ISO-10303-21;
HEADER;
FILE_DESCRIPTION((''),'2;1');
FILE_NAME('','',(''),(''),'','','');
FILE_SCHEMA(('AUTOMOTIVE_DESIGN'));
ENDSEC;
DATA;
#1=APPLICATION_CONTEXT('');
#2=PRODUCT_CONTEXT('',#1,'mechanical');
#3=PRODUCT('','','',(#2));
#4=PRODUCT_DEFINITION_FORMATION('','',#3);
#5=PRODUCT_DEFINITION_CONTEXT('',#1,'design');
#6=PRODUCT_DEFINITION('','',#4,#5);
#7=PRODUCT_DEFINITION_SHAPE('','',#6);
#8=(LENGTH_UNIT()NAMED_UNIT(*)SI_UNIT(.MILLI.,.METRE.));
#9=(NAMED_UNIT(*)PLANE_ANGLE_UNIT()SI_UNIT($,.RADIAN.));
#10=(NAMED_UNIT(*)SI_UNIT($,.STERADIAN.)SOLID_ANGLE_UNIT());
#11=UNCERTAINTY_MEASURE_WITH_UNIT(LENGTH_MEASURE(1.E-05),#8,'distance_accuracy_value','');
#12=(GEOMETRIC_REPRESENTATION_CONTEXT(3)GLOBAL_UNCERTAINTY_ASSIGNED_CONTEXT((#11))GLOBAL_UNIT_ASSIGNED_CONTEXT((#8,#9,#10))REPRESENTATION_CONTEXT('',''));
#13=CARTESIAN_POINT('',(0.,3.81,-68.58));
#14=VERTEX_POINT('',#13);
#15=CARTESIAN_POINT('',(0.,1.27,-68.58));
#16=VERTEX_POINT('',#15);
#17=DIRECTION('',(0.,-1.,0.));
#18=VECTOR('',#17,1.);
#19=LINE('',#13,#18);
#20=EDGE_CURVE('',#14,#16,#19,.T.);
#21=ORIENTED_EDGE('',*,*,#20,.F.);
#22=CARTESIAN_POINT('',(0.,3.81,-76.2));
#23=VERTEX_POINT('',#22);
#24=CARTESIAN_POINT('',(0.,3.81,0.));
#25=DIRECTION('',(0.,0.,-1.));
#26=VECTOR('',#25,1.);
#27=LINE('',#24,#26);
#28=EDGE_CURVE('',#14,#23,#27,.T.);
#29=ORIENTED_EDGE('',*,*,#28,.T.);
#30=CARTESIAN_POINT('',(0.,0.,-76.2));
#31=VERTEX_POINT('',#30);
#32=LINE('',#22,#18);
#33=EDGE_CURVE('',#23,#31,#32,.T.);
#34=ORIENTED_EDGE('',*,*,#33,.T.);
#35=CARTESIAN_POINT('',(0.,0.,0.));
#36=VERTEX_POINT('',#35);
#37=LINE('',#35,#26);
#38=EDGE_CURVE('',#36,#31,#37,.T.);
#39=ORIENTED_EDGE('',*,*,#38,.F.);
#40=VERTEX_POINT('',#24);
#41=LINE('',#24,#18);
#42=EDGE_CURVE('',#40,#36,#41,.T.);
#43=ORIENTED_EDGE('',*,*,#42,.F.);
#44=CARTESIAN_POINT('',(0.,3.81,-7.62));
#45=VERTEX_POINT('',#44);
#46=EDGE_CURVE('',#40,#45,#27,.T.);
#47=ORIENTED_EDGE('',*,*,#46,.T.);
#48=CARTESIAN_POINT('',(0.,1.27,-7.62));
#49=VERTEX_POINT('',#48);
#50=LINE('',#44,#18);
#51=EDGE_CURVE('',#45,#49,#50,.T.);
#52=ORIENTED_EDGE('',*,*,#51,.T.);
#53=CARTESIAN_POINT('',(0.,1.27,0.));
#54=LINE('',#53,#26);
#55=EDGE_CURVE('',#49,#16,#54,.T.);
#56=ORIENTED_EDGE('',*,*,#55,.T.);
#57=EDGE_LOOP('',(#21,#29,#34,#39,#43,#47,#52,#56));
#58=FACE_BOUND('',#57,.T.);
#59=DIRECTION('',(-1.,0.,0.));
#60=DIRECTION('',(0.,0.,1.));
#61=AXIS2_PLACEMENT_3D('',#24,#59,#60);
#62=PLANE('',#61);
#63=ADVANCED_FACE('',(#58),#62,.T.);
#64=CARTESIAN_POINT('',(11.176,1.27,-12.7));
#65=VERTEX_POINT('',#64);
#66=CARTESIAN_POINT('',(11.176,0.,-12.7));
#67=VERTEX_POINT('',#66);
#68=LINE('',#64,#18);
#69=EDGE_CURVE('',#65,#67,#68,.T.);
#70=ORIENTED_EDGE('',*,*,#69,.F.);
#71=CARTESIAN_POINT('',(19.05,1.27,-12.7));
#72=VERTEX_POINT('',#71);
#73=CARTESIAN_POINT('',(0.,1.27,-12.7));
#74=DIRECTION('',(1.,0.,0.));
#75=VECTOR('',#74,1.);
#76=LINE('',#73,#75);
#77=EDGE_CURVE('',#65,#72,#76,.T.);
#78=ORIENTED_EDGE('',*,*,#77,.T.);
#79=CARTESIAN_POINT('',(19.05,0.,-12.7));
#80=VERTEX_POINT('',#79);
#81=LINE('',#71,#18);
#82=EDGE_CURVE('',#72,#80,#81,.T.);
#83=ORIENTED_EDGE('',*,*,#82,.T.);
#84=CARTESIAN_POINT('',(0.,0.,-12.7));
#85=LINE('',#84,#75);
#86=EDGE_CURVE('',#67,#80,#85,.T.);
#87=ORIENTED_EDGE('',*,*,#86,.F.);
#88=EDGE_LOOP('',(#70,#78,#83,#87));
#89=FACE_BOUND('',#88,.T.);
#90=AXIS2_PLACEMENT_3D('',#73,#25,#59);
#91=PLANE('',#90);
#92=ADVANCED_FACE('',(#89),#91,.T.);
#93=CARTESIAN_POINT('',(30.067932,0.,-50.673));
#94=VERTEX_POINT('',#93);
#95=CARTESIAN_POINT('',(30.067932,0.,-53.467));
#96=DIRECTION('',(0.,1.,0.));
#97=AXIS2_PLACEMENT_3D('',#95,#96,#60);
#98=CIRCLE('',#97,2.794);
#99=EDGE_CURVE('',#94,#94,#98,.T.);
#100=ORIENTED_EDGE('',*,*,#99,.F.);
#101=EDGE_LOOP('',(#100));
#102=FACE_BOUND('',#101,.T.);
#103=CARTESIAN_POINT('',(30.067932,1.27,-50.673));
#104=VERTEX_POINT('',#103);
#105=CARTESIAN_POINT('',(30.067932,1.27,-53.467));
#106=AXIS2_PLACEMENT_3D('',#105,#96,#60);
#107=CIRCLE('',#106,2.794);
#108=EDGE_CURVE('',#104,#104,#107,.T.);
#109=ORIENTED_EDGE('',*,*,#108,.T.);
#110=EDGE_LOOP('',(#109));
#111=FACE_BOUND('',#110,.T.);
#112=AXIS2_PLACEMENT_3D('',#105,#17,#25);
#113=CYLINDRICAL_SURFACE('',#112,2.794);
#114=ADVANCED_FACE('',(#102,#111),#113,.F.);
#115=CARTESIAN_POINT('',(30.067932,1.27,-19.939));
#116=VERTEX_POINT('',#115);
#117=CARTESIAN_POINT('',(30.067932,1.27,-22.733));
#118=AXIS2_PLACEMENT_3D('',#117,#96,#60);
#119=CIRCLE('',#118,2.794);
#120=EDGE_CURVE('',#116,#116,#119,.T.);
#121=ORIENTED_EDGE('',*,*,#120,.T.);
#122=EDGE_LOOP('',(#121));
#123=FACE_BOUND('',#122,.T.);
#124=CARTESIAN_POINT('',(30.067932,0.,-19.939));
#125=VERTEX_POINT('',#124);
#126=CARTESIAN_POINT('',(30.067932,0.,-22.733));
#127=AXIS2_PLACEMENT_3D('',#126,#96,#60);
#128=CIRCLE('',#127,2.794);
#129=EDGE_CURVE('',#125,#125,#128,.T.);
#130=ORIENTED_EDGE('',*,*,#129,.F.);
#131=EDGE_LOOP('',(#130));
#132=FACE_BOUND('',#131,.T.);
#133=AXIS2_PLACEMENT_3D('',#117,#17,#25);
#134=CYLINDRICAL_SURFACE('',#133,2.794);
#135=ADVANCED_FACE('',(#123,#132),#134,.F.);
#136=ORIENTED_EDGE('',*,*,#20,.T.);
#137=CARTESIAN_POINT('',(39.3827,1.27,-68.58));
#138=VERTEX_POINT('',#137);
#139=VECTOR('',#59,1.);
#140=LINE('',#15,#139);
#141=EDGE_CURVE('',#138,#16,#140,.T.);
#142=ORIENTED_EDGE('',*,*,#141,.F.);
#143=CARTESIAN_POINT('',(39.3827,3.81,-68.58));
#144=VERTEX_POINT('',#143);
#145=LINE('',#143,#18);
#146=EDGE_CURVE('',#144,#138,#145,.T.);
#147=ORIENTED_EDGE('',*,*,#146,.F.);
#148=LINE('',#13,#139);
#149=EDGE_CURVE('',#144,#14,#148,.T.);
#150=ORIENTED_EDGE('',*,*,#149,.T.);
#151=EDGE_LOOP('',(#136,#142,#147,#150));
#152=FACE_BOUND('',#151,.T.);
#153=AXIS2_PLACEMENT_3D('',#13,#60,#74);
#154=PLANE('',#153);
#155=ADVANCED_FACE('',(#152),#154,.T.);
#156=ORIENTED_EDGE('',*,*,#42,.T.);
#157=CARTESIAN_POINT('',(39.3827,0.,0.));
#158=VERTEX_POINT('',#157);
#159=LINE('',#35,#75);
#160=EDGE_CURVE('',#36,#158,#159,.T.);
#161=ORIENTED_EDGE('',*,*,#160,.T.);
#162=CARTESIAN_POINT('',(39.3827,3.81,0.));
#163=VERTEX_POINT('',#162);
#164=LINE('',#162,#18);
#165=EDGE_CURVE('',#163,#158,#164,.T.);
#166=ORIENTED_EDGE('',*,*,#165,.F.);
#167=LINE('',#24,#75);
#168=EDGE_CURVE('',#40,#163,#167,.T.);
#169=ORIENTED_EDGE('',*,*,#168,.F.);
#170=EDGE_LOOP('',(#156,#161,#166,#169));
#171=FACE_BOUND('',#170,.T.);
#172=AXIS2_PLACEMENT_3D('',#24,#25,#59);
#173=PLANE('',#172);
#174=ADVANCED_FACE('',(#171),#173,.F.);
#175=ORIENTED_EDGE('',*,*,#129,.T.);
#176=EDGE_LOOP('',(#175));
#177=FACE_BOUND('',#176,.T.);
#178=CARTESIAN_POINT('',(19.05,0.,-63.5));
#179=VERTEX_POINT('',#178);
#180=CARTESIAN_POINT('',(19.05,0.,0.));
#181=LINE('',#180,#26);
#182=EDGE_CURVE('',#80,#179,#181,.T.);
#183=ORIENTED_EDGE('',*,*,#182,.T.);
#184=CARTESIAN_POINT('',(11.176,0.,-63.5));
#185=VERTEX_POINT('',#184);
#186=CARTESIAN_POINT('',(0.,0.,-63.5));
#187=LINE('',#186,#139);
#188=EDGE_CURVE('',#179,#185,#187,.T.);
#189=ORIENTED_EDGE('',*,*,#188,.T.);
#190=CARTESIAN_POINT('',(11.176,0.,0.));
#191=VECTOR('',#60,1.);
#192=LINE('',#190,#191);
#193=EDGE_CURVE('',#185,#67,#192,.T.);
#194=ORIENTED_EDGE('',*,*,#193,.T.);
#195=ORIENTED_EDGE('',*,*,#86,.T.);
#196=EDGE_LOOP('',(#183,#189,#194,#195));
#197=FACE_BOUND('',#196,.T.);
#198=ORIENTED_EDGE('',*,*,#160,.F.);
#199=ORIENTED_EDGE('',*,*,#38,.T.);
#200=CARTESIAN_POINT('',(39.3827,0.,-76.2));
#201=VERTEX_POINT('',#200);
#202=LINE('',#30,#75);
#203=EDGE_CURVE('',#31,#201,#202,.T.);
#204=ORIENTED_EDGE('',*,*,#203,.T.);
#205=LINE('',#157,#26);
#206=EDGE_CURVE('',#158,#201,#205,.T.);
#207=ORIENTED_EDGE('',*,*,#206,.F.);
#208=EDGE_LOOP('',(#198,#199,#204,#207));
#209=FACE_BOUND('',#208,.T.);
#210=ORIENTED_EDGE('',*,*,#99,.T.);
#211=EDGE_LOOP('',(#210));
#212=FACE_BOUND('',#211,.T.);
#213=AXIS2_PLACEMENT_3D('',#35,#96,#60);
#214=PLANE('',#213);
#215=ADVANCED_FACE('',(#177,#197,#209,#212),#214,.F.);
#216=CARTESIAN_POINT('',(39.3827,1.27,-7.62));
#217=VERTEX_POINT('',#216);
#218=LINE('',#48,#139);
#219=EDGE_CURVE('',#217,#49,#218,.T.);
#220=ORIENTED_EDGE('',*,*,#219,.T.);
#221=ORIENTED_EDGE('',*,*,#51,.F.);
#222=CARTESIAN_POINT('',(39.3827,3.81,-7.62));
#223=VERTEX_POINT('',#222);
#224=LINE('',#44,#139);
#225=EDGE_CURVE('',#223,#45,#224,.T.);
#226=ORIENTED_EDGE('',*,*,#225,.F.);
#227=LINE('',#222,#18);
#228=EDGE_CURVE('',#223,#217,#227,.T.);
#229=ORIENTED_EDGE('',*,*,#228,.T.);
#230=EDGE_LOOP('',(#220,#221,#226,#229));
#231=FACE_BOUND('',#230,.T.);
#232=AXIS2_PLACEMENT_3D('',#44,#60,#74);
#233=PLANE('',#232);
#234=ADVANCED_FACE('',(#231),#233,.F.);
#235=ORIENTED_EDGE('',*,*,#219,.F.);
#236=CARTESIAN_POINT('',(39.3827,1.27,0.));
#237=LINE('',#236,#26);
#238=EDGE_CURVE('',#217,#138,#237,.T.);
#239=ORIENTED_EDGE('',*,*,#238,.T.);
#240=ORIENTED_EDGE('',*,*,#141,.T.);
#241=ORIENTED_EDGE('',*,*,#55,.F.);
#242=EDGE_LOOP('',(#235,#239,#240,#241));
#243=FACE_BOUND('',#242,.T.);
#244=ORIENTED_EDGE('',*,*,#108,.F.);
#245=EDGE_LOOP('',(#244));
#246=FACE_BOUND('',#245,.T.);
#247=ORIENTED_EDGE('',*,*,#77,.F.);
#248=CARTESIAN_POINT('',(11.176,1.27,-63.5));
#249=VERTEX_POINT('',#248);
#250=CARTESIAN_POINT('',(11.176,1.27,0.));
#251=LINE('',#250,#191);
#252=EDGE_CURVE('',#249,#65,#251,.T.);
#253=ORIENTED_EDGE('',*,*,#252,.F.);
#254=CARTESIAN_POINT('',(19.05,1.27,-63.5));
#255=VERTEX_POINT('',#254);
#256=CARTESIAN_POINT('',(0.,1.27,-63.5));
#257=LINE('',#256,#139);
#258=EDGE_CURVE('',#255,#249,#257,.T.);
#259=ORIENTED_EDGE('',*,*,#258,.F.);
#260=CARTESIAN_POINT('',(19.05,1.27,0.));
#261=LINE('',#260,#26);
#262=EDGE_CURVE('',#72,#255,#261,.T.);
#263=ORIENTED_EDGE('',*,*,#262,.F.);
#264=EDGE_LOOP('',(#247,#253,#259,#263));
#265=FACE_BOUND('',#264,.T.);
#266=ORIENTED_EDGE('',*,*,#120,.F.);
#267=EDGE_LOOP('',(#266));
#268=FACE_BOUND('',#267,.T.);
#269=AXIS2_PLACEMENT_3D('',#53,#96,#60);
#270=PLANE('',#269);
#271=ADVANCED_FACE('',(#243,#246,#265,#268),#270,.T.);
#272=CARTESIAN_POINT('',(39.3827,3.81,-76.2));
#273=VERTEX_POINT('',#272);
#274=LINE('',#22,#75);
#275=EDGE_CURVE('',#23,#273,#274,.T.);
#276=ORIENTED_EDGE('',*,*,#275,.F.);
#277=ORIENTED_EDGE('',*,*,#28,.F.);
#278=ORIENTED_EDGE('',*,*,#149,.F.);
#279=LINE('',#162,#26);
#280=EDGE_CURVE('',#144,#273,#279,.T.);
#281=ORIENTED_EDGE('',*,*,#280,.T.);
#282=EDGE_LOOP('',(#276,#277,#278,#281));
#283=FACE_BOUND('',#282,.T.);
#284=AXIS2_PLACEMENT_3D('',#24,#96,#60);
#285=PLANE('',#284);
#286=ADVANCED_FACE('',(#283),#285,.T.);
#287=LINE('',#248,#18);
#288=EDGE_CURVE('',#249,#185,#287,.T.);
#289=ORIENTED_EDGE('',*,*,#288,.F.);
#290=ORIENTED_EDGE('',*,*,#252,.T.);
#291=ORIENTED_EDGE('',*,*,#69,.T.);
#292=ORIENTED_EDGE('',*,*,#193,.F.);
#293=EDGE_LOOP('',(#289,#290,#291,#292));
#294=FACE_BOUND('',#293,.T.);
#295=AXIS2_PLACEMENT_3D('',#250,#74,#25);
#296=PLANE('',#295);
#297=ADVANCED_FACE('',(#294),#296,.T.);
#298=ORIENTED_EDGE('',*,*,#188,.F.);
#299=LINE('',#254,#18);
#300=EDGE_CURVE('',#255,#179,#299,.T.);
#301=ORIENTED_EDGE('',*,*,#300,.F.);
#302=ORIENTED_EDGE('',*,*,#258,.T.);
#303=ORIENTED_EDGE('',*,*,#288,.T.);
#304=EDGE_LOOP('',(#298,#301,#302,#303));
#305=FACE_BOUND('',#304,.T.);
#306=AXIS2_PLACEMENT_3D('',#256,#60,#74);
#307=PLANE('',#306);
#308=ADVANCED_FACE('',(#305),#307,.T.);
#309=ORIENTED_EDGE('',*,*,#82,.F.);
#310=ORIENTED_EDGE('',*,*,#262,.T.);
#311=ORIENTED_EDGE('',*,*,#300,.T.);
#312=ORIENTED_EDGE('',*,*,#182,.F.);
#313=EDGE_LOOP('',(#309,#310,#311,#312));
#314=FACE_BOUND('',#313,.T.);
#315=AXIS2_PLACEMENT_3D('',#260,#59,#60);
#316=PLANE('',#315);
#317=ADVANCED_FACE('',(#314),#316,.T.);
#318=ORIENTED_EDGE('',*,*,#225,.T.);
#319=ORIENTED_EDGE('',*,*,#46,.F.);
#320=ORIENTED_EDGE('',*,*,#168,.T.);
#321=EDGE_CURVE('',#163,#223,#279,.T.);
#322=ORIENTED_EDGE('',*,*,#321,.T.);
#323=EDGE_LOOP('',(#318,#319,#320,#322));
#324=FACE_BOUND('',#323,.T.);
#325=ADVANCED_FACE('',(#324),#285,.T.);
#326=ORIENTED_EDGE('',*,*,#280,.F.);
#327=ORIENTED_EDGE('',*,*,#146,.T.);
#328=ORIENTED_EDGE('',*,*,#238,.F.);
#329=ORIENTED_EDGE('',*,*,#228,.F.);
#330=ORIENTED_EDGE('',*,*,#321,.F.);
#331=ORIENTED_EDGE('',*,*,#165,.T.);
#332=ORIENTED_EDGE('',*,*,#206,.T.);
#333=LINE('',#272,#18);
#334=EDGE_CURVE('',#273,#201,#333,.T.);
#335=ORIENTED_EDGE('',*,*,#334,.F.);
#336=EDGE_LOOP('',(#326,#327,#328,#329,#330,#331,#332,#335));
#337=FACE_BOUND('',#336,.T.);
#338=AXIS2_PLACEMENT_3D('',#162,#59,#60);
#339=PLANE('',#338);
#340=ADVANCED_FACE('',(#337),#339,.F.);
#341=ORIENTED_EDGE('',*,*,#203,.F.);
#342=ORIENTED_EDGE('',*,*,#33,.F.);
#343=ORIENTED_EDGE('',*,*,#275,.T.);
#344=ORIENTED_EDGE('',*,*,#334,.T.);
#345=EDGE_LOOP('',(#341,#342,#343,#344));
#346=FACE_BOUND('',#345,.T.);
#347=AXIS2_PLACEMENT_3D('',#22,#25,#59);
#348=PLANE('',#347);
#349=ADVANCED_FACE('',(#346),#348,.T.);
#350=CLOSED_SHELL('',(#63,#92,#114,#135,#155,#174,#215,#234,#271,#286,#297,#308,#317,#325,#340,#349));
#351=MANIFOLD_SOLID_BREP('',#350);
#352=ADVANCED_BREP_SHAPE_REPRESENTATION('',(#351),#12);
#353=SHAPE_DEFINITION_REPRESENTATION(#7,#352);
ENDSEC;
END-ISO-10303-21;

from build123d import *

# Parameters (mm, degrees)
SKETCH2_W             = 39.3827
SKETCH2_H             = 7.62
BOSS_EXTRUDE2_DEPTH   = 3.81
BOSS_EXTRUDE2_2_DEPTH = 3.81
SKETCH2_3_W           = 39.3827
SKETCH2_3_H           = 60.96
SKETCH2_3_R           = 2.794
BOSS_EXTRUDE3_DEPTH   = 1.27


with BuildPart() as part:
    # Sketch2 → Boss-Extrude2 (new body)
    with BuildSketch(Plane(origin=(0, 0, 0), x_dir=(1, 0, 0), z_dir=(0, 1, 0))):
        with Locations((19.69135, 3.81)):
            Rectangle(SKETCH2_W, SKETCH2_H)
    extrude(amount=BOSS_EXTRUDE2_DEPTH)



with BuildPart() as body_2:
    # Sketch2 → Boss-Extrude2 2 (new body)
    with BuildSketch(Plane(origin=(0, 0, 0), x_dir=(1, 0, 0), z_dir=(0, 1, 0))):
        with Locations((19.69135, 72.39)):
            Rectangle(SKETCH2_W, SKETCH2_H)
    extrude(amount=BOSS_EXTRUDE2_2_DEPTH)


with BuildPart() as part_1:
    add(part.part)

    add(body_2.part)  # Boss-Extrude3 merges body 2
    # Sketch2<3> → Boss-Extrude3 (add)
    with BuildSketch(Plane(origin=(0, 0, 0), x_dir=(1, 0, 0), z_dir=(0, 1, 0))):
        with Locations((19.69135, 38.1)):
            Rectangle(SKETCH2_3_W, SKETCH2_3_H)
        Polygon((19.05, 63.5), (19.05, 38.1), (19.05, 12.7), (11.176, 12.7), (11.176, 63.5), align=None, mode=Mode.SUBTRACT)
        with Locations((30.067932262, 22.733)):
            Circle(SKETCH2_3_R, mode=Mode.SUBTRACT)
        with Locations((30.067932262, 53.467)):
            Circle(SKETCH2_3_R, mode=Mode.SUBTRACT)
    extrude(amount=BOSS_EXTRUDE3_DEPTH)


solid = part_1.part
